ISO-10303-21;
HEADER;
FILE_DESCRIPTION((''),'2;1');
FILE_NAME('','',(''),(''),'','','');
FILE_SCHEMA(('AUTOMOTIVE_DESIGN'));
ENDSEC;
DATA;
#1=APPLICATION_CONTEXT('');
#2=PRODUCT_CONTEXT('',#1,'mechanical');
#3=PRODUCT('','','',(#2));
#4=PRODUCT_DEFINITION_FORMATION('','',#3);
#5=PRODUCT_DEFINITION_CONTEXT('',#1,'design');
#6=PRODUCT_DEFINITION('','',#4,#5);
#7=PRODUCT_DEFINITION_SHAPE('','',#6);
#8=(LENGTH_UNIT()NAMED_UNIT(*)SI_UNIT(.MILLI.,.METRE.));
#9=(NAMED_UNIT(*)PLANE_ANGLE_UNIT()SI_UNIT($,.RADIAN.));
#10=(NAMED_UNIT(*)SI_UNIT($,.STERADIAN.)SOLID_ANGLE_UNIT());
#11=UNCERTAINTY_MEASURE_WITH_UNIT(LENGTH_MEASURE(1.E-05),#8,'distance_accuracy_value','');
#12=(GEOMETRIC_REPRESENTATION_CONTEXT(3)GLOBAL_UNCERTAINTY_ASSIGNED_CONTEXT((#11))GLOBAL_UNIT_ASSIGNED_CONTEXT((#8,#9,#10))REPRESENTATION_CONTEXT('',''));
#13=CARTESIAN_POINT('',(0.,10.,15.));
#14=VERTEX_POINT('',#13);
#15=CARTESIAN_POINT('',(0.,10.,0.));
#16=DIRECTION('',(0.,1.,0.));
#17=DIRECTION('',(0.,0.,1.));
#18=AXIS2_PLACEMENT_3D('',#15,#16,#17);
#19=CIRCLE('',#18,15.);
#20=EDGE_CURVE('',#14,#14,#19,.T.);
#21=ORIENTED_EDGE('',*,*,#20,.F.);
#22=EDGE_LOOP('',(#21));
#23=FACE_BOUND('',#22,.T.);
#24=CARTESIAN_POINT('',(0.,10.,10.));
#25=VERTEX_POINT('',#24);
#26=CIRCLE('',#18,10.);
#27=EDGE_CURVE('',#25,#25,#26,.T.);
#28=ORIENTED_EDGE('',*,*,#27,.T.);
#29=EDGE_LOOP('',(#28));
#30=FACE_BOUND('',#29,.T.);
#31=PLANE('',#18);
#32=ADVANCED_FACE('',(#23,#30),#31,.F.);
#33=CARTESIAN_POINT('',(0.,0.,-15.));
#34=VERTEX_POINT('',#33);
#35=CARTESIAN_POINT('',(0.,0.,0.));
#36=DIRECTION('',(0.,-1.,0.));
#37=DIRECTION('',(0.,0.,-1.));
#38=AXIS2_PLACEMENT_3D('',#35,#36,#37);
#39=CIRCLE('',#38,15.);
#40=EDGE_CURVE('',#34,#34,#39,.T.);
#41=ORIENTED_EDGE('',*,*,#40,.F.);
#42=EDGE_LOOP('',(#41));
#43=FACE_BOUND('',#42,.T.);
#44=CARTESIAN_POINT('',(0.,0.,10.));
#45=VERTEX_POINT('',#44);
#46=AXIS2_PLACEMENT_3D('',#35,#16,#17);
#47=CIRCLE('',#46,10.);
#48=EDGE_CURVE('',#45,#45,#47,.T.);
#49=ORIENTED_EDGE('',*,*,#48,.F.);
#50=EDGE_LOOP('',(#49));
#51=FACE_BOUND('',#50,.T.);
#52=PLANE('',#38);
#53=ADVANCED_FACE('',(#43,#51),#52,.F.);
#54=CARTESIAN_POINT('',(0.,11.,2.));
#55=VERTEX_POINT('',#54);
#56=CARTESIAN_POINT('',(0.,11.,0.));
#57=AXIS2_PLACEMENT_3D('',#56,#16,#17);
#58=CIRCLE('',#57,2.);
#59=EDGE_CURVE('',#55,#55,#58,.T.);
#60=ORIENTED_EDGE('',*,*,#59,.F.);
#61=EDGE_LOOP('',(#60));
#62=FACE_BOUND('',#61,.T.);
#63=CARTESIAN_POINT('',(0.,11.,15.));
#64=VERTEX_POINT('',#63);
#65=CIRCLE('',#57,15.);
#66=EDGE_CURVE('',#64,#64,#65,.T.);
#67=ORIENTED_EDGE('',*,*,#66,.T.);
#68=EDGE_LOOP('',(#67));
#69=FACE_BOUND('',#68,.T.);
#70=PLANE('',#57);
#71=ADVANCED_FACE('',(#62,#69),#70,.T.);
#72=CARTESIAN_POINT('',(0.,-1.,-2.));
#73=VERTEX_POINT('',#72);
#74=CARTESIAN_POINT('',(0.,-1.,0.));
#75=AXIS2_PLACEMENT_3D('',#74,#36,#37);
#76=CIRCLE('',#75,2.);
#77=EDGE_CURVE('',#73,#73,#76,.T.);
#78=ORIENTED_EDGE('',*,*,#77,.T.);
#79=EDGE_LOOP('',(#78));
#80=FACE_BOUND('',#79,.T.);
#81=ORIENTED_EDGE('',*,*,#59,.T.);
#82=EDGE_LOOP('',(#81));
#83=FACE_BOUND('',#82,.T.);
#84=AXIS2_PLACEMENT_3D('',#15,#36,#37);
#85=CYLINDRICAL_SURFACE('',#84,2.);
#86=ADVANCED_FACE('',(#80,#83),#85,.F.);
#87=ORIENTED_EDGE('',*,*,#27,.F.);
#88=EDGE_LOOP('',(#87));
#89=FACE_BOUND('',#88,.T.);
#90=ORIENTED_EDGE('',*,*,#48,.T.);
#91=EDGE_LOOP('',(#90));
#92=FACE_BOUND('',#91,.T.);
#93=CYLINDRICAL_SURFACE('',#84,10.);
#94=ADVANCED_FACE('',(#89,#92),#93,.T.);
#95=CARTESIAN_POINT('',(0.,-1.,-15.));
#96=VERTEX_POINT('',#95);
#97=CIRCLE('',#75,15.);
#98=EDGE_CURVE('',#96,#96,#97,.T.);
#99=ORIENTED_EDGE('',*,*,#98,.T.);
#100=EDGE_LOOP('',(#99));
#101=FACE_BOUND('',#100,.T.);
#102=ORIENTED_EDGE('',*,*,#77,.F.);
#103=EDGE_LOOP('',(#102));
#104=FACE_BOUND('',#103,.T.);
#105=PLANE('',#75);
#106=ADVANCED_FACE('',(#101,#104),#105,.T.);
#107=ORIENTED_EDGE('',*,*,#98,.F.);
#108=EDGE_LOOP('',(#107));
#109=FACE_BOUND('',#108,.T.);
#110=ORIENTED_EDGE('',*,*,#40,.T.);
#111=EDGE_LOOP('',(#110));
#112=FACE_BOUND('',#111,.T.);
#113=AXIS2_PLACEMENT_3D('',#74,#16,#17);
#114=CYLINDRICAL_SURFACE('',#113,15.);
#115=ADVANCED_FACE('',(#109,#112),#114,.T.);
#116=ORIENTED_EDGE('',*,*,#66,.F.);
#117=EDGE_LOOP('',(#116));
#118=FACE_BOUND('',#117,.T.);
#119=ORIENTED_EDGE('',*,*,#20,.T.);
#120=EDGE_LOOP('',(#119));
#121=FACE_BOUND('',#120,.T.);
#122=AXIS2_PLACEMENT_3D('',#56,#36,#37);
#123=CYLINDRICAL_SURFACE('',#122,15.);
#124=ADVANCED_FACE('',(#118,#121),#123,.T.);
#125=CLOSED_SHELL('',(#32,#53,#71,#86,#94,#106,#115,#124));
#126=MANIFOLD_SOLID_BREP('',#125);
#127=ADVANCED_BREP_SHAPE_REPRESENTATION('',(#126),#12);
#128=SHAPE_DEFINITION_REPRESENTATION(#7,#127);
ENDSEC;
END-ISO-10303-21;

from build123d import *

# Parameters (mm, degrees)
SKETCH_1_R      = 10
SKETCH_1_R_2    = 2
EXTRUDE_1_DEPTH = 10
SKETCH_2_R      = 15
SKETCH_2_R_2    = 2
EXTRUDE_2_DEPTH = 1
EXTRUDE_START   = 1
SKETCH_3_R      = 15
SKETCH_3_R_2    = 2
EXTRUDE_3_DEPTH = 1


with BuildPart() as part:
    # 草图1 → 凸台-拉伸1 (new body)
    with BuildSketch(Plane(origin=(0, 0, 0), x_dir=(1, 0, 0), z_dir=(0, 1, 0))):
        with Locations(Location((0, 0, 0), (0, 0, 270))):
            Circle(SKETCH_1_R)
        with Locations(Location((0, 0, 0), (0, 0, 270))):
            Circle(SKETCH_1_R_2, mode=Mode.SUBTRACT)
    extrude(amount=EXTRUDE_1_DEPTH)

    # 草图2 → 凸台-拉伸2 (add)
    with BuildSketch(Plane(origin=(0, 10, 0), x_dir=(1, 0, 0), z_dir=(0, 1, 0))):
        with Locations(Location((0, 0, 0), (0, 0, 270))):
            Circle(SKETCH_2_R)
        with Locations(Location((0, 0, 0), (0, 0, 270))):
            Circle(SKETCH_2_R_2, mode=Mode.SUBTRACT)
    extrude(amount=EXTRUDE_2_DEPTH)

    # 草图3 → 凸台-拉伸3 (add)
    with BuildSketch(Plane.XZ.offset(EXTRUDE_START)):
        with Locations(Location((0, 0, 0), (0, 0, 90))):
            Circle(SKETCH_3_R)
        with Locations(Location((0, 0, 0), (0, 0, 270))):
            Circle(SKETCH_3_R_2, mode=Mode.SUBTRACT)
    extrude(amount=-EXTRUDE_3_DEPTH)


solid = part.part
